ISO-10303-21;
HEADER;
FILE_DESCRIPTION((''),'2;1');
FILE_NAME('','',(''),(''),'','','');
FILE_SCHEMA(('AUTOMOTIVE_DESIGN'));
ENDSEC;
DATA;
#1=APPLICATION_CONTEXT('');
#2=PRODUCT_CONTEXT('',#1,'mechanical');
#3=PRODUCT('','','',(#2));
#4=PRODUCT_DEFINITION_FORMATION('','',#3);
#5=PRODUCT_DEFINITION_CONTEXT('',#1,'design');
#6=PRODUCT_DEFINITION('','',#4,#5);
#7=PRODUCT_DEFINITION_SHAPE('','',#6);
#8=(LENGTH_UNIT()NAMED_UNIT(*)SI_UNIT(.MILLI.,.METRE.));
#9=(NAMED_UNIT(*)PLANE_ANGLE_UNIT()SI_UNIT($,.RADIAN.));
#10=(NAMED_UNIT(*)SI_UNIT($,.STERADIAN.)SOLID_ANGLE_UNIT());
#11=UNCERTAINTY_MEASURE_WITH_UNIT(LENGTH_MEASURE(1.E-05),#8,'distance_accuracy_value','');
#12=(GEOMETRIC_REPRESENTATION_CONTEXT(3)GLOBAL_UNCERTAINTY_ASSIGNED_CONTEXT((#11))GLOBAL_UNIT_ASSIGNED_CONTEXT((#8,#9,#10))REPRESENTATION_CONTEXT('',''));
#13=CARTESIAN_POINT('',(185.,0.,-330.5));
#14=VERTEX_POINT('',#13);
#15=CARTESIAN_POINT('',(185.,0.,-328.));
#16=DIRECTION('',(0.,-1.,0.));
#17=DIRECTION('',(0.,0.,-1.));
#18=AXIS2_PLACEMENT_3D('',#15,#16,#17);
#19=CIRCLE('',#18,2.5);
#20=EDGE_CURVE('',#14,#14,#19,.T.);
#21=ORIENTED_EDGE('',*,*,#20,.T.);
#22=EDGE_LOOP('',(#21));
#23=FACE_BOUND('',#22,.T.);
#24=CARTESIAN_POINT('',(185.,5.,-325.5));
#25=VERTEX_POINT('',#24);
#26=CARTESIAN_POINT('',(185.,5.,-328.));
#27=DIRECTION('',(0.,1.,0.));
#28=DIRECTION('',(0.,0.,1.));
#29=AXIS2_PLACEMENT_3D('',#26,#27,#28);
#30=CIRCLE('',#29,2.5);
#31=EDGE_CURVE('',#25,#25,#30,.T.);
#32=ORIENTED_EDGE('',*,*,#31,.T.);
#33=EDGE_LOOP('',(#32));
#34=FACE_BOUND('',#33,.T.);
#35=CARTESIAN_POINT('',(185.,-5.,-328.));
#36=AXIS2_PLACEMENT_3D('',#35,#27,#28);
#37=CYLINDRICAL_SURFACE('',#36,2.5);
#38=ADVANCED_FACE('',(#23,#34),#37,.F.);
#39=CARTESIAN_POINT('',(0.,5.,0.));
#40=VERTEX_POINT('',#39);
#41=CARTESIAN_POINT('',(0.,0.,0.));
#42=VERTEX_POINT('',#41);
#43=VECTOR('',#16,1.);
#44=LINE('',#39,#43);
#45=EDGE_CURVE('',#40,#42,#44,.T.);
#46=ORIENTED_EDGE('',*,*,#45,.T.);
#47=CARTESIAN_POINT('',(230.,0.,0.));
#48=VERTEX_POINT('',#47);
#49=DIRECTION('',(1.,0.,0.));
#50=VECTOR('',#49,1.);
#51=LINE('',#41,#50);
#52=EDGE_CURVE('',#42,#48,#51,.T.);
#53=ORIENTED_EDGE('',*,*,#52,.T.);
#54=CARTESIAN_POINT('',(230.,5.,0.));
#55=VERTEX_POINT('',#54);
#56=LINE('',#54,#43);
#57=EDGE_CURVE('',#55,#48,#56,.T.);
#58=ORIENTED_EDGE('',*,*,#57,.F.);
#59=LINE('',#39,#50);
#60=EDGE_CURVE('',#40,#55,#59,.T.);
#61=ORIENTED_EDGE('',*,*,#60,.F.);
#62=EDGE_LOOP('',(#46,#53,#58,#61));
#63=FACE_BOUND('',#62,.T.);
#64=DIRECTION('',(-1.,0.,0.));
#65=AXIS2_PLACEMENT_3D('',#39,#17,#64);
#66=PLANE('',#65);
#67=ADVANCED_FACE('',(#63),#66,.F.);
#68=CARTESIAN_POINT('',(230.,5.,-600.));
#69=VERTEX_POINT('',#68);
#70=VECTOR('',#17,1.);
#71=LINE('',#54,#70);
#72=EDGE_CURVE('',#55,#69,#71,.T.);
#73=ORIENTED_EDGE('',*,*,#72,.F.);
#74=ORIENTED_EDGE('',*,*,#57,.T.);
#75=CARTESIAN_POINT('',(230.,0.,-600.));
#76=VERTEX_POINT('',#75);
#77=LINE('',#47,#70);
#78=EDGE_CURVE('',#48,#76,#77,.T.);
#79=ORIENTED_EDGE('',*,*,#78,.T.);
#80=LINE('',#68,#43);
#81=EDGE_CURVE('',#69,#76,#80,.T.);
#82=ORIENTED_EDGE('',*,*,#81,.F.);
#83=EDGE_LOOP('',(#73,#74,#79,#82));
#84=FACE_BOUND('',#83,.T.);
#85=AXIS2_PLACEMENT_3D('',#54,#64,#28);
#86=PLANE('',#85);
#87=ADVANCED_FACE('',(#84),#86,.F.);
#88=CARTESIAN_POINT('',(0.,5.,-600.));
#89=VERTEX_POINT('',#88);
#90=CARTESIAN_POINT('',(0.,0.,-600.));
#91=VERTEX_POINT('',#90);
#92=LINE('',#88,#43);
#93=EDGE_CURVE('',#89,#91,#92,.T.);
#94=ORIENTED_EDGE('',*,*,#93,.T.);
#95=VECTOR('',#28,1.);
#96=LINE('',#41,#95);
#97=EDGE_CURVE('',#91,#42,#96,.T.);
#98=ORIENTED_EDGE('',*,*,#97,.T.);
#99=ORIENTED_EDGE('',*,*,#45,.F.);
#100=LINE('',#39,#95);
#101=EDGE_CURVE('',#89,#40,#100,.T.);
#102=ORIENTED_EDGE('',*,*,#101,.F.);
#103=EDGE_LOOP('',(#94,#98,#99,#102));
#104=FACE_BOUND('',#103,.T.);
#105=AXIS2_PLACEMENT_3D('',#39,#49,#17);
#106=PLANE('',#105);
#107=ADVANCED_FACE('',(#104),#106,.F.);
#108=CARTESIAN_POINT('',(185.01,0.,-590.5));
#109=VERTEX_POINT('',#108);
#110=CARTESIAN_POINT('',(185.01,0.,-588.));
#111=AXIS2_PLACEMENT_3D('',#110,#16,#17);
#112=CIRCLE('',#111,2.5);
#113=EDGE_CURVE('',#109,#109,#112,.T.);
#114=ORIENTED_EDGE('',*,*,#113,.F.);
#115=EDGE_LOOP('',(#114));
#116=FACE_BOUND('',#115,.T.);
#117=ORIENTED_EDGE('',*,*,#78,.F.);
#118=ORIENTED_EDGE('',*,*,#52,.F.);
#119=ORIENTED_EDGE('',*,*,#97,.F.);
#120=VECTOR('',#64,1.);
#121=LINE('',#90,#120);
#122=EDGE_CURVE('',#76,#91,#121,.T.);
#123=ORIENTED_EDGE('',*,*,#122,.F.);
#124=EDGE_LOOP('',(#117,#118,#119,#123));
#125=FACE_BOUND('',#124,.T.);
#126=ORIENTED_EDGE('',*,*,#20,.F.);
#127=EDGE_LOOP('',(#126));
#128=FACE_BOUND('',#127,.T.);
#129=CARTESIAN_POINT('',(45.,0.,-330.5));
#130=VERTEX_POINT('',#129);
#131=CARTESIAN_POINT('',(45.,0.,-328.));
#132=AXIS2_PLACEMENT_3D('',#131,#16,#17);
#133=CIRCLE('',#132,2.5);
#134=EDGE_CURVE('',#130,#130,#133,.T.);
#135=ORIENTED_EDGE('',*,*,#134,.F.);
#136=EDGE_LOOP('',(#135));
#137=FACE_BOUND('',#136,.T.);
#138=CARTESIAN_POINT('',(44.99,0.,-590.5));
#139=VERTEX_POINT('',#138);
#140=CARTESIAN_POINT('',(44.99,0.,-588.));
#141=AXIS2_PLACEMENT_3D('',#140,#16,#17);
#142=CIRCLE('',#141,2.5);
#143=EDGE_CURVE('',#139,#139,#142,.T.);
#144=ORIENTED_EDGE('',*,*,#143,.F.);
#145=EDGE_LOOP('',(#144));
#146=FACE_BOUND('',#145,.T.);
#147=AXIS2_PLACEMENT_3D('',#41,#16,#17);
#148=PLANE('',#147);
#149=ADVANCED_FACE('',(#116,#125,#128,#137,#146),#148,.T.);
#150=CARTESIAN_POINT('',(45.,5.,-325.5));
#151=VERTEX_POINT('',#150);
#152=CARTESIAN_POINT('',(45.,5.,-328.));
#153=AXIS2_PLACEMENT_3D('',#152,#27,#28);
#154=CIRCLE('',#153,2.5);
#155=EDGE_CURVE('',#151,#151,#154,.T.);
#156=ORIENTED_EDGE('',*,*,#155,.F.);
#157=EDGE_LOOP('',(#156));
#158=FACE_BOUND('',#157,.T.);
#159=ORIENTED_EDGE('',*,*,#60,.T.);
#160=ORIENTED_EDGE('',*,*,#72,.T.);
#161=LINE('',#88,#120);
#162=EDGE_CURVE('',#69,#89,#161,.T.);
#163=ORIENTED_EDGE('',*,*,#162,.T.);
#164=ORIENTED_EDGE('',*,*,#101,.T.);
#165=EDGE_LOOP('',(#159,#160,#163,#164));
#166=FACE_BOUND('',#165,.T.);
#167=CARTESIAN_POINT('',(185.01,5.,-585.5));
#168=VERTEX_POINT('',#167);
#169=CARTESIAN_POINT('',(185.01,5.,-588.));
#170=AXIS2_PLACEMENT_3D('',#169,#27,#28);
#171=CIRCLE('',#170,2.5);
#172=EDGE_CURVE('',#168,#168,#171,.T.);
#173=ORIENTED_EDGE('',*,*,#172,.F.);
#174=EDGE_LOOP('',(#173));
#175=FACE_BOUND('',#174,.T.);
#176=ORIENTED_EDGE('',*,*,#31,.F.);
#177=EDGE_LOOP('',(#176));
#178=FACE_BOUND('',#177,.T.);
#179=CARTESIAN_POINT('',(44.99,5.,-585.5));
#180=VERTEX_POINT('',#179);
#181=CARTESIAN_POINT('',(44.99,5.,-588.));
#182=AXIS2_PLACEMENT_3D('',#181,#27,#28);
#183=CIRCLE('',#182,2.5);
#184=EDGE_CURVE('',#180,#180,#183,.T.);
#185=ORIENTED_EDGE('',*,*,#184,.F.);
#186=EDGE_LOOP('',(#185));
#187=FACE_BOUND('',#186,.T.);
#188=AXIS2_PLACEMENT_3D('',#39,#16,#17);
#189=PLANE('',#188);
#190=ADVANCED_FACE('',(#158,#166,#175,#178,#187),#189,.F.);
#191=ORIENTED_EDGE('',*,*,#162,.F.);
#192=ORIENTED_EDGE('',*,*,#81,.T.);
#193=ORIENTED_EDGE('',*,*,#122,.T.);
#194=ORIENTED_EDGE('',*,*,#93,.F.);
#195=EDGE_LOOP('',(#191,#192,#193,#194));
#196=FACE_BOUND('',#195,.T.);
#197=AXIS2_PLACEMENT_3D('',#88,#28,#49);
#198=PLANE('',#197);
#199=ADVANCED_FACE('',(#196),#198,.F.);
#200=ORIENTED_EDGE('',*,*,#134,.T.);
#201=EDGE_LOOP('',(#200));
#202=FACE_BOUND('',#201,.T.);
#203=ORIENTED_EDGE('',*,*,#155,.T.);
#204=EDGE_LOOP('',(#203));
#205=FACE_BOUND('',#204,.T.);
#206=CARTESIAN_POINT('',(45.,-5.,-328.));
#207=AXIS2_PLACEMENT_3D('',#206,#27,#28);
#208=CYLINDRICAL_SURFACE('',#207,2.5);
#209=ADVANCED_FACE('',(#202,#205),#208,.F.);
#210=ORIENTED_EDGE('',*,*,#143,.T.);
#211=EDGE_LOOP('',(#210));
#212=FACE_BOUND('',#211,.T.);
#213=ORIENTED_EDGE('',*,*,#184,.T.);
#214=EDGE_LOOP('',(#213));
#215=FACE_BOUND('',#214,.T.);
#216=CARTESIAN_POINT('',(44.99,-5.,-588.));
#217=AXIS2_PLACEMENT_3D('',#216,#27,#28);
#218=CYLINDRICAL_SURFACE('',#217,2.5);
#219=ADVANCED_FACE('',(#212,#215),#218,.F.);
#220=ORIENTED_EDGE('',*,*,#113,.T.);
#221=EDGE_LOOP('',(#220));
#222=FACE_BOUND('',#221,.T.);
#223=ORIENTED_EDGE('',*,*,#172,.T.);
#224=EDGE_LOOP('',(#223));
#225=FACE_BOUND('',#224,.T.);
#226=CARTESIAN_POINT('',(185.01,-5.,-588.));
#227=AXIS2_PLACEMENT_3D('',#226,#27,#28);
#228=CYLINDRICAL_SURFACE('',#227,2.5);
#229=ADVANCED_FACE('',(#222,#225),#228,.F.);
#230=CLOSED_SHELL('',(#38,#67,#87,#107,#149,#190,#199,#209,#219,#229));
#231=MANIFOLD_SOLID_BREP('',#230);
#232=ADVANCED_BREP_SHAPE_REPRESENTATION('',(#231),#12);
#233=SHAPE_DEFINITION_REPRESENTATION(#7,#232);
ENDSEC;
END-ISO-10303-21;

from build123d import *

# Parameters (mm, degrees)
SKETCH1_W           = 230
SKETCH1_H           = 600
BOSS_EXTRUDE1_DEPTH = 5
SKETCH2_R           = 2.5
CUT_EXTRUDE1_DEPTH  = 10


with BuildPart() as part:
    # Sketch1 → Boss-Extrude1 (new body)
    with BuildSketch(Plane(origin=(0, 0, 0), x_dir=(1, 0, 0), z_dir=(0, 1, 0))):
        with Locations((115, 300)):
            Rectangle(SKETCH1_W, SKETCH1_H)
    extrude(amount=BOSS_EXTRUDE1_DEPTH)

    # Sketch2 → Cut-Extrude1 (cut)
    with BuildSketch(Plane(origin=(0, 5, 0), x_dir=(1, 0, 0), z_dir=(0, 1, 0))):
        with Locations((185.01, 588)):
            Circle(SKETCH2_R)
        with Locations((44.99, 588)):
            Circle(SKETCH2_R)
        with Locations((185, 328.000000192)):
            Circle(SKETCH2_R)
        with Locations((45, 328.000000192)):
            Circle(SKETCH2_R)
    extrude(amount=-CUT_EXTRUDE1_DEPTH, mode=Mode.SUBTRACT)


solid = part.part
